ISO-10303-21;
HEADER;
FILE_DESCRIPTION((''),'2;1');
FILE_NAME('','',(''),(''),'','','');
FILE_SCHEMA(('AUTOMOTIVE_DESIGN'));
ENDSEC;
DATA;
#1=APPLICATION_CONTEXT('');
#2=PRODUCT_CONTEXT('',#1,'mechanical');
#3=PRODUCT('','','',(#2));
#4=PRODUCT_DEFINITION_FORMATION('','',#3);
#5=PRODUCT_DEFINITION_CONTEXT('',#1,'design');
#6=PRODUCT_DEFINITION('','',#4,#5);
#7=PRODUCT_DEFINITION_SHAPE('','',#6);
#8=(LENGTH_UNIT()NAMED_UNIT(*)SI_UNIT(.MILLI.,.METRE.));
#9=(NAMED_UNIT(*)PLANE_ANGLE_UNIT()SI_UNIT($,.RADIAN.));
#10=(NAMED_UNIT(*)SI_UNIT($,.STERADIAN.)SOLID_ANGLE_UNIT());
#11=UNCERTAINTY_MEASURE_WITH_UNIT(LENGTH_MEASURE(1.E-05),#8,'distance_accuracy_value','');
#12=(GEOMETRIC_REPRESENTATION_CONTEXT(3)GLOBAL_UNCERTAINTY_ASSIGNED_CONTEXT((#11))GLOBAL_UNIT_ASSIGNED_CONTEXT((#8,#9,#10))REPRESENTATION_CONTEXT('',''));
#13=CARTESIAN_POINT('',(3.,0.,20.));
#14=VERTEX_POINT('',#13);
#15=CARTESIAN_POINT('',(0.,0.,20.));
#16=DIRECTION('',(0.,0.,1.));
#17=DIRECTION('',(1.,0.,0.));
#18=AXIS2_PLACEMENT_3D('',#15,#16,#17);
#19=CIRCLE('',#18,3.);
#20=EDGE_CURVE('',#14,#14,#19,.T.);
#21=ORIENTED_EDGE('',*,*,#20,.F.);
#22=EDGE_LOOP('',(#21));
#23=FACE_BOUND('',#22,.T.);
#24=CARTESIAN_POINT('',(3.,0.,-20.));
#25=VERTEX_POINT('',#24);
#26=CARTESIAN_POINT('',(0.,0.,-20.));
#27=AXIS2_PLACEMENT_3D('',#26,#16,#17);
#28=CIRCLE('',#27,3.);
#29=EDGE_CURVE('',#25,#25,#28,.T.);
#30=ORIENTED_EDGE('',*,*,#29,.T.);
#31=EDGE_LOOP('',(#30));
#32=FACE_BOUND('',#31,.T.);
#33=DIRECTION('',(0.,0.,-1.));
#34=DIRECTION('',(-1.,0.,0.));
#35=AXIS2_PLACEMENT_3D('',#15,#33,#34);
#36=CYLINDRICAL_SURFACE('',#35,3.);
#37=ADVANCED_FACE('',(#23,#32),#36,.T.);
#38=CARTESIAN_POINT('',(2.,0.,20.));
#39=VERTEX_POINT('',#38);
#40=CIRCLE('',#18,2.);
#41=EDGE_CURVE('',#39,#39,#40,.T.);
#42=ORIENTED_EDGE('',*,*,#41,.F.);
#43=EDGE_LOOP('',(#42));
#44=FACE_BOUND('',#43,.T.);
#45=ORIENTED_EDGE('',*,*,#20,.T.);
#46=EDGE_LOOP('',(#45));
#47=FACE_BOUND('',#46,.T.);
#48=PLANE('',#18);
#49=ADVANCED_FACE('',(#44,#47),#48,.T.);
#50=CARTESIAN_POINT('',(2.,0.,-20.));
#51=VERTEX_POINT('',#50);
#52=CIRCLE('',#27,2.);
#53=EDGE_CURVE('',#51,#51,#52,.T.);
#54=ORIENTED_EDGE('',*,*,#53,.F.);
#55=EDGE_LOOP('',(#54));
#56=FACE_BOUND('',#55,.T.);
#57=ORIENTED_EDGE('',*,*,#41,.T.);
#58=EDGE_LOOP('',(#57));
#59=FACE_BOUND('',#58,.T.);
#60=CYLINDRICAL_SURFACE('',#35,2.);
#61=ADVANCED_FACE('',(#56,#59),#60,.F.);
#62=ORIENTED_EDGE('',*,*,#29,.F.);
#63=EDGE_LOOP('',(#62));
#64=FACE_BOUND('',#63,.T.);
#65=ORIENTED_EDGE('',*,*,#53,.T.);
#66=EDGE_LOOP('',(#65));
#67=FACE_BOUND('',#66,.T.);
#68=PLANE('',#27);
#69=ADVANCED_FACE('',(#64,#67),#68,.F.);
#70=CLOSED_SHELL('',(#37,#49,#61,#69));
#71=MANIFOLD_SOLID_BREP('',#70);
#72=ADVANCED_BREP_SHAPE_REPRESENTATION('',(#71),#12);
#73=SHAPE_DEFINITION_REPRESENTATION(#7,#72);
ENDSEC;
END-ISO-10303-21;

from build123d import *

# Parameters (mm, degrees)
SKETCH_1_R      = 3
SKETCH_1_R_2    = 2
EXTRUDE_1_DEPTH = 20


with BuildPart() as part:
    # 草图1 → 凸台-拉伸1 (new, symmetric)
    with BuildSketch(Plane.XY):
        Circle(SKETCH_1_R)
        Circle(SKETCH_1_R_2, mode=Mode.SUBTRACT)
    extrude(amount=EXTRUDE_1_DEPTH, both=True)


solid = part.part
